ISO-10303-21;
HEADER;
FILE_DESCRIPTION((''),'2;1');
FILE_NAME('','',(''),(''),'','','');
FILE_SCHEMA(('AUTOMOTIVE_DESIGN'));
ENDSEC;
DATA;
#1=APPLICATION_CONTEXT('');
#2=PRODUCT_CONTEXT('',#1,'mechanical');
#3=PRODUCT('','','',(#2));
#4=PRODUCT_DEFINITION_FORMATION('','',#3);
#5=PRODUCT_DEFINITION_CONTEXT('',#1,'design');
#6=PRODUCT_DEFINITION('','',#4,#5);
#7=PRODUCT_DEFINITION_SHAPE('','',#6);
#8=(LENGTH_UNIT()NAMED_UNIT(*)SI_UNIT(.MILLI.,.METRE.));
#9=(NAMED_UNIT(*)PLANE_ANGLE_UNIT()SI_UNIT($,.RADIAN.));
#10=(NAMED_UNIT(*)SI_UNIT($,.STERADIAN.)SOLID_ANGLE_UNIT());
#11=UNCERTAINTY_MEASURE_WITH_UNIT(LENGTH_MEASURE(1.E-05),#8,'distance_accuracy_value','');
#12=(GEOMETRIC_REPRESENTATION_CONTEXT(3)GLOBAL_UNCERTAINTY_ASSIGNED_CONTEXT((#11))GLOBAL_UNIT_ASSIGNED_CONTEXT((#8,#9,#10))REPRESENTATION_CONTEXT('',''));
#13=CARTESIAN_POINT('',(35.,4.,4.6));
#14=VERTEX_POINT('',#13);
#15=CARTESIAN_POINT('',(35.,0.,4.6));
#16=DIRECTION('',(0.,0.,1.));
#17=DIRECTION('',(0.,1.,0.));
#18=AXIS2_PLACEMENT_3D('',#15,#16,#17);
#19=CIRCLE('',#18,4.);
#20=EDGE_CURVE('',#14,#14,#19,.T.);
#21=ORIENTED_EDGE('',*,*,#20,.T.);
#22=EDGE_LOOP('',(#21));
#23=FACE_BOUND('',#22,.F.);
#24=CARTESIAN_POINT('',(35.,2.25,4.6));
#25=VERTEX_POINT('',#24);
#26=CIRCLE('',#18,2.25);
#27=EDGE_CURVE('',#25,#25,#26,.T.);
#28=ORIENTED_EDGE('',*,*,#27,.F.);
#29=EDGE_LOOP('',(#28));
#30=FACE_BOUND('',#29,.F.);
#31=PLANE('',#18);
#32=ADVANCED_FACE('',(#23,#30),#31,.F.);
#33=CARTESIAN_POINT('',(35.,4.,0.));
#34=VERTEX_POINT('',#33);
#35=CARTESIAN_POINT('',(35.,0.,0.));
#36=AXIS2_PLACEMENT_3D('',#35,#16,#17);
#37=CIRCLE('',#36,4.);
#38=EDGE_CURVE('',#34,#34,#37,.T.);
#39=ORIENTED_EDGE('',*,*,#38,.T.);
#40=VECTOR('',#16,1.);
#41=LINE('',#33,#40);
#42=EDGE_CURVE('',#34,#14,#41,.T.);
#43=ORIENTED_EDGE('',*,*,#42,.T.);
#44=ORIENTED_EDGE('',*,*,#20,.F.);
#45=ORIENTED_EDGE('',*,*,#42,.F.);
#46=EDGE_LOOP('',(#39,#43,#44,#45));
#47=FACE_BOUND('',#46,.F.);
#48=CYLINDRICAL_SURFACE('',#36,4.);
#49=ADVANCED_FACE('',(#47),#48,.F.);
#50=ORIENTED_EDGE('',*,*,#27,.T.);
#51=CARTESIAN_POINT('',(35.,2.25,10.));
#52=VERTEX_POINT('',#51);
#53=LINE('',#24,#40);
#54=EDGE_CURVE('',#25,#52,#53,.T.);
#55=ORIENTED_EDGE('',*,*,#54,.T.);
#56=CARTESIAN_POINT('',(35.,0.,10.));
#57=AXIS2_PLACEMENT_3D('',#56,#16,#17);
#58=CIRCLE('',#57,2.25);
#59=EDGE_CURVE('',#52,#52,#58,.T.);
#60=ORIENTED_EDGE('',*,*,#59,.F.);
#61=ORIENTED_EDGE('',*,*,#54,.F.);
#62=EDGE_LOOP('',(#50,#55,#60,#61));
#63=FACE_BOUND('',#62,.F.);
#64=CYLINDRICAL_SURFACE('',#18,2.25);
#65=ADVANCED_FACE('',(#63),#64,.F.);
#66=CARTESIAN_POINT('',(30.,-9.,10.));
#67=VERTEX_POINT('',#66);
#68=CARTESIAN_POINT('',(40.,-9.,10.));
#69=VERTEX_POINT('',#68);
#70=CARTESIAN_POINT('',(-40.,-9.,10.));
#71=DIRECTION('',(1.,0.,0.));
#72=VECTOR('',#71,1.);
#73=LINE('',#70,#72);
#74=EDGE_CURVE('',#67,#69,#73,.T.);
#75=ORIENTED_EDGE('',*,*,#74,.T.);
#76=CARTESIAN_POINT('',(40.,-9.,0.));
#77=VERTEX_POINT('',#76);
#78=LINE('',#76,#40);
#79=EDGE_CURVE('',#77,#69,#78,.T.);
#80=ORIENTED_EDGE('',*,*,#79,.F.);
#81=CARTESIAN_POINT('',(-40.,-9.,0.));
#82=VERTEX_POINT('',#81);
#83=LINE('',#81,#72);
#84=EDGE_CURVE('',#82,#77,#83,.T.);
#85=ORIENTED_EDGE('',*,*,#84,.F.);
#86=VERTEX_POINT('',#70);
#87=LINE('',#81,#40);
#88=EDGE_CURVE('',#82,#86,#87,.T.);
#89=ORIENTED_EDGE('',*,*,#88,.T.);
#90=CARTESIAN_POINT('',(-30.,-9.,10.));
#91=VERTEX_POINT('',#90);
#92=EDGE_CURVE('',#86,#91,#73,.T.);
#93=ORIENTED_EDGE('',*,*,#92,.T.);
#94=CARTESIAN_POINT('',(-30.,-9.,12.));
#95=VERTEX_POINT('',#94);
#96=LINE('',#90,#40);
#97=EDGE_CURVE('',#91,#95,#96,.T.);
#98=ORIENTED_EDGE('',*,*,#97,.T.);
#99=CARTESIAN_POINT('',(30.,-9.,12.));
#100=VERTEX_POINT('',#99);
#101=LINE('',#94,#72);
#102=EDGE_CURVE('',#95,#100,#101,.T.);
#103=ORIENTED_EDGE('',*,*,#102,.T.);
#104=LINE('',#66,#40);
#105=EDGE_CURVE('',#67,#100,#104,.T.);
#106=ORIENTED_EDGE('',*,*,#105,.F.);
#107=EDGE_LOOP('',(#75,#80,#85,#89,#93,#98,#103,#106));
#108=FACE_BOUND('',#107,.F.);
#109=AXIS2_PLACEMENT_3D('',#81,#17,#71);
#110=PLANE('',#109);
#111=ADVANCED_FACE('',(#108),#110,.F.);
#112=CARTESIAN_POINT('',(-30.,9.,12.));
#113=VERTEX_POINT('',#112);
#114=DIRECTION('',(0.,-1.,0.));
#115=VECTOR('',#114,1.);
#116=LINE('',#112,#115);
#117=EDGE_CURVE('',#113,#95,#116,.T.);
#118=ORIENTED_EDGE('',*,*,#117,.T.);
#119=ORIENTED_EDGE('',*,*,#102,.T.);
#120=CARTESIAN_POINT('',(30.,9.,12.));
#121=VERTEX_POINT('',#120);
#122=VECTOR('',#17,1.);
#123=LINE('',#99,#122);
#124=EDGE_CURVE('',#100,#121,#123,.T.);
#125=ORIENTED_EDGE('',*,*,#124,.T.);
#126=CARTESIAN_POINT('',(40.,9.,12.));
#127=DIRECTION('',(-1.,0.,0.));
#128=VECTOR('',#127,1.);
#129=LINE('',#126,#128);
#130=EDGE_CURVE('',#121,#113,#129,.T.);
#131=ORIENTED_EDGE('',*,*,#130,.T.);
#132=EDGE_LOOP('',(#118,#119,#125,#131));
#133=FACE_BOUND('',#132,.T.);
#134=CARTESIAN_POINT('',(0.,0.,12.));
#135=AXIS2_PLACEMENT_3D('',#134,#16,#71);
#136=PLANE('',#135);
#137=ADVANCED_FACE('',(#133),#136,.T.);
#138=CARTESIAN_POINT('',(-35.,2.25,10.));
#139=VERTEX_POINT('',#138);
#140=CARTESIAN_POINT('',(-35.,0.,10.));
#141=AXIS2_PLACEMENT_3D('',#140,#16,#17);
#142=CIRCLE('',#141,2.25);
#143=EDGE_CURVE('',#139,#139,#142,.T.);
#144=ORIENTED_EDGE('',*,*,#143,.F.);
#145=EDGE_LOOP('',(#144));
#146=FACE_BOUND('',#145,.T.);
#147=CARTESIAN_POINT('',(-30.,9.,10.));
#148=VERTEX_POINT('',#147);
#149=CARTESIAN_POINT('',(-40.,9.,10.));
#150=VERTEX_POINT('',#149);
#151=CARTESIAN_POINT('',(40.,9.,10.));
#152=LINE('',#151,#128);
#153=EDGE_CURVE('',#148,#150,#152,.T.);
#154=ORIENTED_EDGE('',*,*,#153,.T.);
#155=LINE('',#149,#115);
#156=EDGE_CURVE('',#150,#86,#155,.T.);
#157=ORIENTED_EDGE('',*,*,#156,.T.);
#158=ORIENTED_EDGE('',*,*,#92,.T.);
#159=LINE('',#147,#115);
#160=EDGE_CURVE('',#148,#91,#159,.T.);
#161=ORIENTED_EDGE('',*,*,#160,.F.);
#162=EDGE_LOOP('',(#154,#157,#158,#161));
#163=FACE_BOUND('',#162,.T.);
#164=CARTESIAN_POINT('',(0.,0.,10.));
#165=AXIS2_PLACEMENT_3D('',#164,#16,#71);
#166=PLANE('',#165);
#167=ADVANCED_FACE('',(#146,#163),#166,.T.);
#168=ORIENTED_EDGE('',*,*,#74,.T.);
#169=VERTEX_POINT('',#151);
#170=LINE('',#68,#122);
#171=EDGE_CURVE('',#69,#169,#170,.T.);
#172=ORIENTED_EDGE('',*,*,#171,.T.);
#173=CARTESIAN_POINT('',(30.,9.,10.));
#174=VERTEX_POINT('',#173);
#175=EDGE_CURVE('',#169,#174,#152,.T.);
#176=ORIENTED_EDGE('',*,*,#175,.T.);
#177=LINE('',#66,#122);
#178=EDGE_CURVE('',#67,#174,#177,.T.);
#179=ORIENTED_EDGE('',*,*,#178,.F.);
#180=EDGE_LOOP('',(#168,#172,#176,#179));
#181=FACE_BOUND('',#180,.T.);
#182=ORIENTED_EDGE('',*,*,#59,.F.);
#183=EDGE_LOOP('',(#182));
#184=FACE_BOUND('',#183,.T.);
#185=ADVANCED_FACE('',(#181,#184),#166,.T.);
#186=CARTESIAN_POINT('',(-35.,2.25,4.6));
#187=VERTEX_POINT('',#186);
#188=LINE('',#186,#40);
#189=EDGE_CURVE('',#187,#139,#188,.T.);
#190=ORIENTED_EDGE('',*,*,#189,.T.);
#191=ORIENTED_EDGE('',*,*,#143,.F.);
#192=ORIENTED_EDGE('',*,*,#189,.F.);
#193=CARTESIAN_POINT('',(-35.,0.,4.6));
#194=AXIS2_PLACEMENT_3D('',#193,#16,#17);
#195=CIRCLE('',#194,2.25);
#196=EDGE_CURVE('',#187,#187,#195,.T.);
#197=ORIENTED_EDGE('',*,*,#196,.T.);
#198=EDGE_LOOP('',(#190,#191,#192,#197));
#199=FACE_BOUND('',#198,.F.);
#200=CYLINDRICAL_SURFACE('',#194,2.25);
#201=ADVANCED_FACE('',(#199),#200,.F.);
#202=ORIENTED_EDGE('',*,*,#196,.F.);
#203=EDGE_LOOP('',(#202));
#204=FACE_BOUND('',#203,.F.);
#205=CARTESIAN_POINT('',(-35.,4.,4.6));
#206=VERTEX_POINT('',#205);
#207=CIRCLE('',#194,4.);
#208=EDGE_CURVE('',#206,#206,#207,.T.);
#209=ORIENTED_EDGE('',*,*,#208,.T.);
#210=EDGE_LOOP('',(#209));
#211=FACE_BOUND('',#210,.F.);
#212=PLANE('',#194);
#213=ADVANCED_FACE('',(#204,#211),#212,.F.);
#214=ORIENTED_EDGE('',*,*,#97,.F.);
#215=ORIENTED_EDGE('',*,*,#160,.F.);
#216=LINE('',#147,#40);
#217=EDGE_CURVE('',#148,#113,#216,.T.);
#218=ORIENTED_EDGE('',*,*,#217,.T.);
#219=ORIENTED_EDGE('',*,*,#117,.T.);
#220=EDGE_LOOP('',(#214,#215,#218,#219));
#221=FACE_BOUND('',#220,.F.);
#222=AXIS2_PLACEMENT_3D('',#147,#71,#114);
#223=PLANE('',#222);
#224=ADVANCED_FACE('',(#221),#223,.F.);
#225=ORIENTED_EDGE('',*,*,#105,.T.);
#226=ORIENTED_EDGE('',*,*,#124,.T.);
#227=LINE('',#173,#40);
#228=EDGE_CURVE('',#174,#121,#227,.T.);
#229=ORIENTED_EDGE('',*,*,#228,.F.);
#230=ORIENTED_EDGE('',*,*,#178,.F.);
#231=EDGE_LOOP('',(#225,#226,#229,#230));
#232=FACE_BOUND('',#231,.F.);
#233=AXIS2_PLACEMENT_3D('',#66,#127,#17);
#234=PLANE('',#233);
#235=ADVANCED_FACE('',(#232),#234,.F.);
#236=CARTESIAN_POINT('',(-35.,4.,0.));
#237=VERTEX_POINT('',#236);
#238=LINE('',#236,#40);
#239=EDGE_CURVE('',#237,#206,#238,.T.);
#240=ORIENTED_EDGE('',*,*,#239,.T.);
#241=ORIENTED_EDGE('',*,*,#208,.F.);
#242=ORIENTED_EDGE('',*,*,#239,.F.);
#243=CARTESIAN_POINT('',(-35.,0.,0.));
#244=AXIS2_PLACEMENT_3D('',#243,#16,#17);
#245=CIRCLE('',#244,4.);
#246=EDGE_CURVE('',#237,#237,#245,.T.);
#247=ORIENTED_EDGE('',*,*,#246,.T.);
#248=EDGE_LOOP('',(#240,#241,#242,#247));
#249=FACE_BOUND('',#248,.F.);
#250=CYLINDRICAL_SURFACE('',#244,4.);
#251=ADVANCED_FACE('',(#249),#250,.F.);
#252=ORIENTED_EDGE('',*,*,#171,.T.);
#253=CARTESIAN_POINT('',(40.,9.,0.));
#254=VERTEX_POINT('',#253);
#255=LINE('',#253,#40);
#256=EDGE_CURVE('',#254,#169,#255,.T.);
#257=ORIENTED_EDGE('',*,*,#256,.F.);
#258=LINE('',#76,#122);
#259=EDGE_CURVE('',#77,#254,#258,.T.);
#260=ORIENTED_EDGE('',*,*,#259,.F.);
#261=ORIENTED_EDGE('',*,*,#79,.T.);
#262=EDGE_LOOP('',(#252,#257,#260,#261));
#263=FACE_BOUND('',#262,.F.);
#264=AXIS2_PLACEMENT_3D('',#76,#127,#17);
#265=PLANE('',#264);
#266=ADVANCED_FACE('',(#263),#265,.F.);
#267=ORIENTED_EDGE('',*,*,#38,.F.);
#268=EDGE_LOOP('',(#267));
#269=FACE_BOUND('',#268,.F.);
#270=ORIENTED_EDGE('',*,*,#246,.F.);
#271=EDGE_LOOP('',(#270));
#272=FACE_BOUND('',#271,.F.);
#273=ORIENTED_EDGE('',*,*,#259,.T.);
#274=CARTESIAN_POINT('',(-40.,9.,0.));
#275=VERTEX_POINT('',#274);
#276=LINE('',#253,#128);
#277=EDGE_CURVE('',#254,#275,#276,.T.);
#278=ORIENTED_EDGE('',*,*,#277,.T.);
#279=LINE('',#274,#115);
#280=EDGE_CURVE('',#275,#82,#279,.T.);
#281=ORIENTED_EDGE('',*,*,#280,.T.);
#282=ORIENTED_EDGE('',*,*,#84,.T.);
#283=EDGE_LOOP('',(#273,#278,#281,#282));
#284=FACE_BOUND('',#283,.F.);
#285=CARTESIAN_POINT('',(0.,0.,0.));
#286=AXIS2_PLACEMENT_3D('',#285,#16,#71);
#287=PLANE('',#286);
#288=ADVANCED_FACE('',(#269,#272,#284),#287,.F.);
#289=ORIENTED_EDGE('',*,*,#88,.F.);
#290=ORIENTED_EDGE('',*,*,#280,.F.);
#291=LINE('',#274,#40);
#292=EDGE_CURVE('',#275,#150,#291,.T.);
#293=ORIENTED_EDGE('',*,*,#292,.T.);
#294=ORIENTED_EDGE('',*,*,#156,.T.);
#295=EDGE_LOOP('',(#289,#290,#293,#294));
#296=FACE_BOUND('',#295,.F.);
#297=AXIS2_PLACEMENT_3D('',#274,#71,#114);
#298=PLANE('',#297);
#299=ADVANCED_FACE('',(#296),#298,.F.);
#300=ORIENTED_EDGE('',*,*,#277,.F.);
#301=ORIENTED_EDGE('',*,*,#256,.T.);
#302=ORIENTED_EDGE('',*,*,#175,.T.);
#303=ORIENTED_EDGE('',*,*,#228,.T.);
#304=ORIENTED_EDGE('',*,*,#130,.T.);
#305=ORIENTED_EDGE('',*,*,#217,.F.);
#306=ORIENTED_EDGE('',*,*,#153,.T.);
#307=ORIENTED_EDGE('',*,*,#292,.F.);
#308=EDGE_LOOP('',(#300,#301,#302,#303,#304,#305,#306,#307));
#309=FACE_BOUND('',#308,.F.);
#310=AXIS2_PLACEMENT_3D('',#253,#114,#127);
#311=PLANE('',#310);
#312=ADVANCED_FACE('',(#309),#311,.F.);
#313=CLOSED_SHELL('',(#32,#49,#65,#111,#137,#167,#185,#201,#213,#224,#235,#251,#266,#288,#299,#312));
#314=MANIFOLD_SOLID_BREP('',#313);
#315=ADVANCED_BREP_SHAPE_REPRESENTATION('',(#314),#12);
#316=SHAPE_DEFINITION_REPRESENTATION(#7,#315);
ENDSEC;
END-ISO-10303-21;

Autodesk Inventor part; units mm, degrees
ref_plane "YZ Plane" through (0, 0, 0) normal (1, 0, 0) x (0, 1, 0)
ref_plane "XZ Plane" through (0, 0, 0) normal (0, 1, 0) x (-1, 0, 0)
ref_plane "XY Plane" through (0, 0, 0) normal (0, 0, 1) x (1, 0, 0)
sketch "Skizze1" plane through (0, 0, 0) normal (0, 0, 1) x (1, 0, 0)
  line L0 (-40, -9) -> (40, -9)
  line L1 (40, -9) -> (40, 9)
  line L2 (40, 9) -> (-40, 9)
  line L3 (-40, 9) -> (-40, -9)
  line L4 (-40, -9) -> (40, 9) construction
  line L5 (40, -9) -> (-40, 9) construction
  point P0 (0, 0)
  dimension "Breite" = 80
  dimension "Höhe" = 18
extrude "Extrusion1" add sketch "Skizze1" along normal blind 10
sketch "Skizze2" plane through (0, 0, 10) normal (0, 0, 1) x (1, 0, 0)
  line L0 (40, 9) -> (-40, 9) projected
  line L1 (-30, -9) -> (30, -9)
  line L2 (30, -9) -> (30, 9)
  line L3 (30, 9) -> (-30, 9)
  line L4 (-30, 9) -> (-30, -9)
  line L5 (-30, -9) -> (30, 9) construction
  line L6 (30, -9) -> (-30, 9) construction
  point P0 (0, 0)
  dimension "Breite_ObererKasten" = 60
extrude "Extrusion2" add sketch "Skizze2" along normal blind 2
sketch "Skizze3" plane through (0, 0, 0) normal (0, 0, -1) x (-1, 0, 0)
  line L0 (0, -12.6) -> (0, 12.6) projected
  point P0 (0, 0)
  point P1 (-35, 0)
  point P2 (35, 0)
  dimension "Abstand_Bohrung" = 70
hole "Bohrung1" at (35, 0, 0) at (-35, 0, 0) direction (0, 0, 1) diameter 4.5 end through all counterbore diameter 8 counterbore depth 4.6
properties part number "ABI_Kasten"
